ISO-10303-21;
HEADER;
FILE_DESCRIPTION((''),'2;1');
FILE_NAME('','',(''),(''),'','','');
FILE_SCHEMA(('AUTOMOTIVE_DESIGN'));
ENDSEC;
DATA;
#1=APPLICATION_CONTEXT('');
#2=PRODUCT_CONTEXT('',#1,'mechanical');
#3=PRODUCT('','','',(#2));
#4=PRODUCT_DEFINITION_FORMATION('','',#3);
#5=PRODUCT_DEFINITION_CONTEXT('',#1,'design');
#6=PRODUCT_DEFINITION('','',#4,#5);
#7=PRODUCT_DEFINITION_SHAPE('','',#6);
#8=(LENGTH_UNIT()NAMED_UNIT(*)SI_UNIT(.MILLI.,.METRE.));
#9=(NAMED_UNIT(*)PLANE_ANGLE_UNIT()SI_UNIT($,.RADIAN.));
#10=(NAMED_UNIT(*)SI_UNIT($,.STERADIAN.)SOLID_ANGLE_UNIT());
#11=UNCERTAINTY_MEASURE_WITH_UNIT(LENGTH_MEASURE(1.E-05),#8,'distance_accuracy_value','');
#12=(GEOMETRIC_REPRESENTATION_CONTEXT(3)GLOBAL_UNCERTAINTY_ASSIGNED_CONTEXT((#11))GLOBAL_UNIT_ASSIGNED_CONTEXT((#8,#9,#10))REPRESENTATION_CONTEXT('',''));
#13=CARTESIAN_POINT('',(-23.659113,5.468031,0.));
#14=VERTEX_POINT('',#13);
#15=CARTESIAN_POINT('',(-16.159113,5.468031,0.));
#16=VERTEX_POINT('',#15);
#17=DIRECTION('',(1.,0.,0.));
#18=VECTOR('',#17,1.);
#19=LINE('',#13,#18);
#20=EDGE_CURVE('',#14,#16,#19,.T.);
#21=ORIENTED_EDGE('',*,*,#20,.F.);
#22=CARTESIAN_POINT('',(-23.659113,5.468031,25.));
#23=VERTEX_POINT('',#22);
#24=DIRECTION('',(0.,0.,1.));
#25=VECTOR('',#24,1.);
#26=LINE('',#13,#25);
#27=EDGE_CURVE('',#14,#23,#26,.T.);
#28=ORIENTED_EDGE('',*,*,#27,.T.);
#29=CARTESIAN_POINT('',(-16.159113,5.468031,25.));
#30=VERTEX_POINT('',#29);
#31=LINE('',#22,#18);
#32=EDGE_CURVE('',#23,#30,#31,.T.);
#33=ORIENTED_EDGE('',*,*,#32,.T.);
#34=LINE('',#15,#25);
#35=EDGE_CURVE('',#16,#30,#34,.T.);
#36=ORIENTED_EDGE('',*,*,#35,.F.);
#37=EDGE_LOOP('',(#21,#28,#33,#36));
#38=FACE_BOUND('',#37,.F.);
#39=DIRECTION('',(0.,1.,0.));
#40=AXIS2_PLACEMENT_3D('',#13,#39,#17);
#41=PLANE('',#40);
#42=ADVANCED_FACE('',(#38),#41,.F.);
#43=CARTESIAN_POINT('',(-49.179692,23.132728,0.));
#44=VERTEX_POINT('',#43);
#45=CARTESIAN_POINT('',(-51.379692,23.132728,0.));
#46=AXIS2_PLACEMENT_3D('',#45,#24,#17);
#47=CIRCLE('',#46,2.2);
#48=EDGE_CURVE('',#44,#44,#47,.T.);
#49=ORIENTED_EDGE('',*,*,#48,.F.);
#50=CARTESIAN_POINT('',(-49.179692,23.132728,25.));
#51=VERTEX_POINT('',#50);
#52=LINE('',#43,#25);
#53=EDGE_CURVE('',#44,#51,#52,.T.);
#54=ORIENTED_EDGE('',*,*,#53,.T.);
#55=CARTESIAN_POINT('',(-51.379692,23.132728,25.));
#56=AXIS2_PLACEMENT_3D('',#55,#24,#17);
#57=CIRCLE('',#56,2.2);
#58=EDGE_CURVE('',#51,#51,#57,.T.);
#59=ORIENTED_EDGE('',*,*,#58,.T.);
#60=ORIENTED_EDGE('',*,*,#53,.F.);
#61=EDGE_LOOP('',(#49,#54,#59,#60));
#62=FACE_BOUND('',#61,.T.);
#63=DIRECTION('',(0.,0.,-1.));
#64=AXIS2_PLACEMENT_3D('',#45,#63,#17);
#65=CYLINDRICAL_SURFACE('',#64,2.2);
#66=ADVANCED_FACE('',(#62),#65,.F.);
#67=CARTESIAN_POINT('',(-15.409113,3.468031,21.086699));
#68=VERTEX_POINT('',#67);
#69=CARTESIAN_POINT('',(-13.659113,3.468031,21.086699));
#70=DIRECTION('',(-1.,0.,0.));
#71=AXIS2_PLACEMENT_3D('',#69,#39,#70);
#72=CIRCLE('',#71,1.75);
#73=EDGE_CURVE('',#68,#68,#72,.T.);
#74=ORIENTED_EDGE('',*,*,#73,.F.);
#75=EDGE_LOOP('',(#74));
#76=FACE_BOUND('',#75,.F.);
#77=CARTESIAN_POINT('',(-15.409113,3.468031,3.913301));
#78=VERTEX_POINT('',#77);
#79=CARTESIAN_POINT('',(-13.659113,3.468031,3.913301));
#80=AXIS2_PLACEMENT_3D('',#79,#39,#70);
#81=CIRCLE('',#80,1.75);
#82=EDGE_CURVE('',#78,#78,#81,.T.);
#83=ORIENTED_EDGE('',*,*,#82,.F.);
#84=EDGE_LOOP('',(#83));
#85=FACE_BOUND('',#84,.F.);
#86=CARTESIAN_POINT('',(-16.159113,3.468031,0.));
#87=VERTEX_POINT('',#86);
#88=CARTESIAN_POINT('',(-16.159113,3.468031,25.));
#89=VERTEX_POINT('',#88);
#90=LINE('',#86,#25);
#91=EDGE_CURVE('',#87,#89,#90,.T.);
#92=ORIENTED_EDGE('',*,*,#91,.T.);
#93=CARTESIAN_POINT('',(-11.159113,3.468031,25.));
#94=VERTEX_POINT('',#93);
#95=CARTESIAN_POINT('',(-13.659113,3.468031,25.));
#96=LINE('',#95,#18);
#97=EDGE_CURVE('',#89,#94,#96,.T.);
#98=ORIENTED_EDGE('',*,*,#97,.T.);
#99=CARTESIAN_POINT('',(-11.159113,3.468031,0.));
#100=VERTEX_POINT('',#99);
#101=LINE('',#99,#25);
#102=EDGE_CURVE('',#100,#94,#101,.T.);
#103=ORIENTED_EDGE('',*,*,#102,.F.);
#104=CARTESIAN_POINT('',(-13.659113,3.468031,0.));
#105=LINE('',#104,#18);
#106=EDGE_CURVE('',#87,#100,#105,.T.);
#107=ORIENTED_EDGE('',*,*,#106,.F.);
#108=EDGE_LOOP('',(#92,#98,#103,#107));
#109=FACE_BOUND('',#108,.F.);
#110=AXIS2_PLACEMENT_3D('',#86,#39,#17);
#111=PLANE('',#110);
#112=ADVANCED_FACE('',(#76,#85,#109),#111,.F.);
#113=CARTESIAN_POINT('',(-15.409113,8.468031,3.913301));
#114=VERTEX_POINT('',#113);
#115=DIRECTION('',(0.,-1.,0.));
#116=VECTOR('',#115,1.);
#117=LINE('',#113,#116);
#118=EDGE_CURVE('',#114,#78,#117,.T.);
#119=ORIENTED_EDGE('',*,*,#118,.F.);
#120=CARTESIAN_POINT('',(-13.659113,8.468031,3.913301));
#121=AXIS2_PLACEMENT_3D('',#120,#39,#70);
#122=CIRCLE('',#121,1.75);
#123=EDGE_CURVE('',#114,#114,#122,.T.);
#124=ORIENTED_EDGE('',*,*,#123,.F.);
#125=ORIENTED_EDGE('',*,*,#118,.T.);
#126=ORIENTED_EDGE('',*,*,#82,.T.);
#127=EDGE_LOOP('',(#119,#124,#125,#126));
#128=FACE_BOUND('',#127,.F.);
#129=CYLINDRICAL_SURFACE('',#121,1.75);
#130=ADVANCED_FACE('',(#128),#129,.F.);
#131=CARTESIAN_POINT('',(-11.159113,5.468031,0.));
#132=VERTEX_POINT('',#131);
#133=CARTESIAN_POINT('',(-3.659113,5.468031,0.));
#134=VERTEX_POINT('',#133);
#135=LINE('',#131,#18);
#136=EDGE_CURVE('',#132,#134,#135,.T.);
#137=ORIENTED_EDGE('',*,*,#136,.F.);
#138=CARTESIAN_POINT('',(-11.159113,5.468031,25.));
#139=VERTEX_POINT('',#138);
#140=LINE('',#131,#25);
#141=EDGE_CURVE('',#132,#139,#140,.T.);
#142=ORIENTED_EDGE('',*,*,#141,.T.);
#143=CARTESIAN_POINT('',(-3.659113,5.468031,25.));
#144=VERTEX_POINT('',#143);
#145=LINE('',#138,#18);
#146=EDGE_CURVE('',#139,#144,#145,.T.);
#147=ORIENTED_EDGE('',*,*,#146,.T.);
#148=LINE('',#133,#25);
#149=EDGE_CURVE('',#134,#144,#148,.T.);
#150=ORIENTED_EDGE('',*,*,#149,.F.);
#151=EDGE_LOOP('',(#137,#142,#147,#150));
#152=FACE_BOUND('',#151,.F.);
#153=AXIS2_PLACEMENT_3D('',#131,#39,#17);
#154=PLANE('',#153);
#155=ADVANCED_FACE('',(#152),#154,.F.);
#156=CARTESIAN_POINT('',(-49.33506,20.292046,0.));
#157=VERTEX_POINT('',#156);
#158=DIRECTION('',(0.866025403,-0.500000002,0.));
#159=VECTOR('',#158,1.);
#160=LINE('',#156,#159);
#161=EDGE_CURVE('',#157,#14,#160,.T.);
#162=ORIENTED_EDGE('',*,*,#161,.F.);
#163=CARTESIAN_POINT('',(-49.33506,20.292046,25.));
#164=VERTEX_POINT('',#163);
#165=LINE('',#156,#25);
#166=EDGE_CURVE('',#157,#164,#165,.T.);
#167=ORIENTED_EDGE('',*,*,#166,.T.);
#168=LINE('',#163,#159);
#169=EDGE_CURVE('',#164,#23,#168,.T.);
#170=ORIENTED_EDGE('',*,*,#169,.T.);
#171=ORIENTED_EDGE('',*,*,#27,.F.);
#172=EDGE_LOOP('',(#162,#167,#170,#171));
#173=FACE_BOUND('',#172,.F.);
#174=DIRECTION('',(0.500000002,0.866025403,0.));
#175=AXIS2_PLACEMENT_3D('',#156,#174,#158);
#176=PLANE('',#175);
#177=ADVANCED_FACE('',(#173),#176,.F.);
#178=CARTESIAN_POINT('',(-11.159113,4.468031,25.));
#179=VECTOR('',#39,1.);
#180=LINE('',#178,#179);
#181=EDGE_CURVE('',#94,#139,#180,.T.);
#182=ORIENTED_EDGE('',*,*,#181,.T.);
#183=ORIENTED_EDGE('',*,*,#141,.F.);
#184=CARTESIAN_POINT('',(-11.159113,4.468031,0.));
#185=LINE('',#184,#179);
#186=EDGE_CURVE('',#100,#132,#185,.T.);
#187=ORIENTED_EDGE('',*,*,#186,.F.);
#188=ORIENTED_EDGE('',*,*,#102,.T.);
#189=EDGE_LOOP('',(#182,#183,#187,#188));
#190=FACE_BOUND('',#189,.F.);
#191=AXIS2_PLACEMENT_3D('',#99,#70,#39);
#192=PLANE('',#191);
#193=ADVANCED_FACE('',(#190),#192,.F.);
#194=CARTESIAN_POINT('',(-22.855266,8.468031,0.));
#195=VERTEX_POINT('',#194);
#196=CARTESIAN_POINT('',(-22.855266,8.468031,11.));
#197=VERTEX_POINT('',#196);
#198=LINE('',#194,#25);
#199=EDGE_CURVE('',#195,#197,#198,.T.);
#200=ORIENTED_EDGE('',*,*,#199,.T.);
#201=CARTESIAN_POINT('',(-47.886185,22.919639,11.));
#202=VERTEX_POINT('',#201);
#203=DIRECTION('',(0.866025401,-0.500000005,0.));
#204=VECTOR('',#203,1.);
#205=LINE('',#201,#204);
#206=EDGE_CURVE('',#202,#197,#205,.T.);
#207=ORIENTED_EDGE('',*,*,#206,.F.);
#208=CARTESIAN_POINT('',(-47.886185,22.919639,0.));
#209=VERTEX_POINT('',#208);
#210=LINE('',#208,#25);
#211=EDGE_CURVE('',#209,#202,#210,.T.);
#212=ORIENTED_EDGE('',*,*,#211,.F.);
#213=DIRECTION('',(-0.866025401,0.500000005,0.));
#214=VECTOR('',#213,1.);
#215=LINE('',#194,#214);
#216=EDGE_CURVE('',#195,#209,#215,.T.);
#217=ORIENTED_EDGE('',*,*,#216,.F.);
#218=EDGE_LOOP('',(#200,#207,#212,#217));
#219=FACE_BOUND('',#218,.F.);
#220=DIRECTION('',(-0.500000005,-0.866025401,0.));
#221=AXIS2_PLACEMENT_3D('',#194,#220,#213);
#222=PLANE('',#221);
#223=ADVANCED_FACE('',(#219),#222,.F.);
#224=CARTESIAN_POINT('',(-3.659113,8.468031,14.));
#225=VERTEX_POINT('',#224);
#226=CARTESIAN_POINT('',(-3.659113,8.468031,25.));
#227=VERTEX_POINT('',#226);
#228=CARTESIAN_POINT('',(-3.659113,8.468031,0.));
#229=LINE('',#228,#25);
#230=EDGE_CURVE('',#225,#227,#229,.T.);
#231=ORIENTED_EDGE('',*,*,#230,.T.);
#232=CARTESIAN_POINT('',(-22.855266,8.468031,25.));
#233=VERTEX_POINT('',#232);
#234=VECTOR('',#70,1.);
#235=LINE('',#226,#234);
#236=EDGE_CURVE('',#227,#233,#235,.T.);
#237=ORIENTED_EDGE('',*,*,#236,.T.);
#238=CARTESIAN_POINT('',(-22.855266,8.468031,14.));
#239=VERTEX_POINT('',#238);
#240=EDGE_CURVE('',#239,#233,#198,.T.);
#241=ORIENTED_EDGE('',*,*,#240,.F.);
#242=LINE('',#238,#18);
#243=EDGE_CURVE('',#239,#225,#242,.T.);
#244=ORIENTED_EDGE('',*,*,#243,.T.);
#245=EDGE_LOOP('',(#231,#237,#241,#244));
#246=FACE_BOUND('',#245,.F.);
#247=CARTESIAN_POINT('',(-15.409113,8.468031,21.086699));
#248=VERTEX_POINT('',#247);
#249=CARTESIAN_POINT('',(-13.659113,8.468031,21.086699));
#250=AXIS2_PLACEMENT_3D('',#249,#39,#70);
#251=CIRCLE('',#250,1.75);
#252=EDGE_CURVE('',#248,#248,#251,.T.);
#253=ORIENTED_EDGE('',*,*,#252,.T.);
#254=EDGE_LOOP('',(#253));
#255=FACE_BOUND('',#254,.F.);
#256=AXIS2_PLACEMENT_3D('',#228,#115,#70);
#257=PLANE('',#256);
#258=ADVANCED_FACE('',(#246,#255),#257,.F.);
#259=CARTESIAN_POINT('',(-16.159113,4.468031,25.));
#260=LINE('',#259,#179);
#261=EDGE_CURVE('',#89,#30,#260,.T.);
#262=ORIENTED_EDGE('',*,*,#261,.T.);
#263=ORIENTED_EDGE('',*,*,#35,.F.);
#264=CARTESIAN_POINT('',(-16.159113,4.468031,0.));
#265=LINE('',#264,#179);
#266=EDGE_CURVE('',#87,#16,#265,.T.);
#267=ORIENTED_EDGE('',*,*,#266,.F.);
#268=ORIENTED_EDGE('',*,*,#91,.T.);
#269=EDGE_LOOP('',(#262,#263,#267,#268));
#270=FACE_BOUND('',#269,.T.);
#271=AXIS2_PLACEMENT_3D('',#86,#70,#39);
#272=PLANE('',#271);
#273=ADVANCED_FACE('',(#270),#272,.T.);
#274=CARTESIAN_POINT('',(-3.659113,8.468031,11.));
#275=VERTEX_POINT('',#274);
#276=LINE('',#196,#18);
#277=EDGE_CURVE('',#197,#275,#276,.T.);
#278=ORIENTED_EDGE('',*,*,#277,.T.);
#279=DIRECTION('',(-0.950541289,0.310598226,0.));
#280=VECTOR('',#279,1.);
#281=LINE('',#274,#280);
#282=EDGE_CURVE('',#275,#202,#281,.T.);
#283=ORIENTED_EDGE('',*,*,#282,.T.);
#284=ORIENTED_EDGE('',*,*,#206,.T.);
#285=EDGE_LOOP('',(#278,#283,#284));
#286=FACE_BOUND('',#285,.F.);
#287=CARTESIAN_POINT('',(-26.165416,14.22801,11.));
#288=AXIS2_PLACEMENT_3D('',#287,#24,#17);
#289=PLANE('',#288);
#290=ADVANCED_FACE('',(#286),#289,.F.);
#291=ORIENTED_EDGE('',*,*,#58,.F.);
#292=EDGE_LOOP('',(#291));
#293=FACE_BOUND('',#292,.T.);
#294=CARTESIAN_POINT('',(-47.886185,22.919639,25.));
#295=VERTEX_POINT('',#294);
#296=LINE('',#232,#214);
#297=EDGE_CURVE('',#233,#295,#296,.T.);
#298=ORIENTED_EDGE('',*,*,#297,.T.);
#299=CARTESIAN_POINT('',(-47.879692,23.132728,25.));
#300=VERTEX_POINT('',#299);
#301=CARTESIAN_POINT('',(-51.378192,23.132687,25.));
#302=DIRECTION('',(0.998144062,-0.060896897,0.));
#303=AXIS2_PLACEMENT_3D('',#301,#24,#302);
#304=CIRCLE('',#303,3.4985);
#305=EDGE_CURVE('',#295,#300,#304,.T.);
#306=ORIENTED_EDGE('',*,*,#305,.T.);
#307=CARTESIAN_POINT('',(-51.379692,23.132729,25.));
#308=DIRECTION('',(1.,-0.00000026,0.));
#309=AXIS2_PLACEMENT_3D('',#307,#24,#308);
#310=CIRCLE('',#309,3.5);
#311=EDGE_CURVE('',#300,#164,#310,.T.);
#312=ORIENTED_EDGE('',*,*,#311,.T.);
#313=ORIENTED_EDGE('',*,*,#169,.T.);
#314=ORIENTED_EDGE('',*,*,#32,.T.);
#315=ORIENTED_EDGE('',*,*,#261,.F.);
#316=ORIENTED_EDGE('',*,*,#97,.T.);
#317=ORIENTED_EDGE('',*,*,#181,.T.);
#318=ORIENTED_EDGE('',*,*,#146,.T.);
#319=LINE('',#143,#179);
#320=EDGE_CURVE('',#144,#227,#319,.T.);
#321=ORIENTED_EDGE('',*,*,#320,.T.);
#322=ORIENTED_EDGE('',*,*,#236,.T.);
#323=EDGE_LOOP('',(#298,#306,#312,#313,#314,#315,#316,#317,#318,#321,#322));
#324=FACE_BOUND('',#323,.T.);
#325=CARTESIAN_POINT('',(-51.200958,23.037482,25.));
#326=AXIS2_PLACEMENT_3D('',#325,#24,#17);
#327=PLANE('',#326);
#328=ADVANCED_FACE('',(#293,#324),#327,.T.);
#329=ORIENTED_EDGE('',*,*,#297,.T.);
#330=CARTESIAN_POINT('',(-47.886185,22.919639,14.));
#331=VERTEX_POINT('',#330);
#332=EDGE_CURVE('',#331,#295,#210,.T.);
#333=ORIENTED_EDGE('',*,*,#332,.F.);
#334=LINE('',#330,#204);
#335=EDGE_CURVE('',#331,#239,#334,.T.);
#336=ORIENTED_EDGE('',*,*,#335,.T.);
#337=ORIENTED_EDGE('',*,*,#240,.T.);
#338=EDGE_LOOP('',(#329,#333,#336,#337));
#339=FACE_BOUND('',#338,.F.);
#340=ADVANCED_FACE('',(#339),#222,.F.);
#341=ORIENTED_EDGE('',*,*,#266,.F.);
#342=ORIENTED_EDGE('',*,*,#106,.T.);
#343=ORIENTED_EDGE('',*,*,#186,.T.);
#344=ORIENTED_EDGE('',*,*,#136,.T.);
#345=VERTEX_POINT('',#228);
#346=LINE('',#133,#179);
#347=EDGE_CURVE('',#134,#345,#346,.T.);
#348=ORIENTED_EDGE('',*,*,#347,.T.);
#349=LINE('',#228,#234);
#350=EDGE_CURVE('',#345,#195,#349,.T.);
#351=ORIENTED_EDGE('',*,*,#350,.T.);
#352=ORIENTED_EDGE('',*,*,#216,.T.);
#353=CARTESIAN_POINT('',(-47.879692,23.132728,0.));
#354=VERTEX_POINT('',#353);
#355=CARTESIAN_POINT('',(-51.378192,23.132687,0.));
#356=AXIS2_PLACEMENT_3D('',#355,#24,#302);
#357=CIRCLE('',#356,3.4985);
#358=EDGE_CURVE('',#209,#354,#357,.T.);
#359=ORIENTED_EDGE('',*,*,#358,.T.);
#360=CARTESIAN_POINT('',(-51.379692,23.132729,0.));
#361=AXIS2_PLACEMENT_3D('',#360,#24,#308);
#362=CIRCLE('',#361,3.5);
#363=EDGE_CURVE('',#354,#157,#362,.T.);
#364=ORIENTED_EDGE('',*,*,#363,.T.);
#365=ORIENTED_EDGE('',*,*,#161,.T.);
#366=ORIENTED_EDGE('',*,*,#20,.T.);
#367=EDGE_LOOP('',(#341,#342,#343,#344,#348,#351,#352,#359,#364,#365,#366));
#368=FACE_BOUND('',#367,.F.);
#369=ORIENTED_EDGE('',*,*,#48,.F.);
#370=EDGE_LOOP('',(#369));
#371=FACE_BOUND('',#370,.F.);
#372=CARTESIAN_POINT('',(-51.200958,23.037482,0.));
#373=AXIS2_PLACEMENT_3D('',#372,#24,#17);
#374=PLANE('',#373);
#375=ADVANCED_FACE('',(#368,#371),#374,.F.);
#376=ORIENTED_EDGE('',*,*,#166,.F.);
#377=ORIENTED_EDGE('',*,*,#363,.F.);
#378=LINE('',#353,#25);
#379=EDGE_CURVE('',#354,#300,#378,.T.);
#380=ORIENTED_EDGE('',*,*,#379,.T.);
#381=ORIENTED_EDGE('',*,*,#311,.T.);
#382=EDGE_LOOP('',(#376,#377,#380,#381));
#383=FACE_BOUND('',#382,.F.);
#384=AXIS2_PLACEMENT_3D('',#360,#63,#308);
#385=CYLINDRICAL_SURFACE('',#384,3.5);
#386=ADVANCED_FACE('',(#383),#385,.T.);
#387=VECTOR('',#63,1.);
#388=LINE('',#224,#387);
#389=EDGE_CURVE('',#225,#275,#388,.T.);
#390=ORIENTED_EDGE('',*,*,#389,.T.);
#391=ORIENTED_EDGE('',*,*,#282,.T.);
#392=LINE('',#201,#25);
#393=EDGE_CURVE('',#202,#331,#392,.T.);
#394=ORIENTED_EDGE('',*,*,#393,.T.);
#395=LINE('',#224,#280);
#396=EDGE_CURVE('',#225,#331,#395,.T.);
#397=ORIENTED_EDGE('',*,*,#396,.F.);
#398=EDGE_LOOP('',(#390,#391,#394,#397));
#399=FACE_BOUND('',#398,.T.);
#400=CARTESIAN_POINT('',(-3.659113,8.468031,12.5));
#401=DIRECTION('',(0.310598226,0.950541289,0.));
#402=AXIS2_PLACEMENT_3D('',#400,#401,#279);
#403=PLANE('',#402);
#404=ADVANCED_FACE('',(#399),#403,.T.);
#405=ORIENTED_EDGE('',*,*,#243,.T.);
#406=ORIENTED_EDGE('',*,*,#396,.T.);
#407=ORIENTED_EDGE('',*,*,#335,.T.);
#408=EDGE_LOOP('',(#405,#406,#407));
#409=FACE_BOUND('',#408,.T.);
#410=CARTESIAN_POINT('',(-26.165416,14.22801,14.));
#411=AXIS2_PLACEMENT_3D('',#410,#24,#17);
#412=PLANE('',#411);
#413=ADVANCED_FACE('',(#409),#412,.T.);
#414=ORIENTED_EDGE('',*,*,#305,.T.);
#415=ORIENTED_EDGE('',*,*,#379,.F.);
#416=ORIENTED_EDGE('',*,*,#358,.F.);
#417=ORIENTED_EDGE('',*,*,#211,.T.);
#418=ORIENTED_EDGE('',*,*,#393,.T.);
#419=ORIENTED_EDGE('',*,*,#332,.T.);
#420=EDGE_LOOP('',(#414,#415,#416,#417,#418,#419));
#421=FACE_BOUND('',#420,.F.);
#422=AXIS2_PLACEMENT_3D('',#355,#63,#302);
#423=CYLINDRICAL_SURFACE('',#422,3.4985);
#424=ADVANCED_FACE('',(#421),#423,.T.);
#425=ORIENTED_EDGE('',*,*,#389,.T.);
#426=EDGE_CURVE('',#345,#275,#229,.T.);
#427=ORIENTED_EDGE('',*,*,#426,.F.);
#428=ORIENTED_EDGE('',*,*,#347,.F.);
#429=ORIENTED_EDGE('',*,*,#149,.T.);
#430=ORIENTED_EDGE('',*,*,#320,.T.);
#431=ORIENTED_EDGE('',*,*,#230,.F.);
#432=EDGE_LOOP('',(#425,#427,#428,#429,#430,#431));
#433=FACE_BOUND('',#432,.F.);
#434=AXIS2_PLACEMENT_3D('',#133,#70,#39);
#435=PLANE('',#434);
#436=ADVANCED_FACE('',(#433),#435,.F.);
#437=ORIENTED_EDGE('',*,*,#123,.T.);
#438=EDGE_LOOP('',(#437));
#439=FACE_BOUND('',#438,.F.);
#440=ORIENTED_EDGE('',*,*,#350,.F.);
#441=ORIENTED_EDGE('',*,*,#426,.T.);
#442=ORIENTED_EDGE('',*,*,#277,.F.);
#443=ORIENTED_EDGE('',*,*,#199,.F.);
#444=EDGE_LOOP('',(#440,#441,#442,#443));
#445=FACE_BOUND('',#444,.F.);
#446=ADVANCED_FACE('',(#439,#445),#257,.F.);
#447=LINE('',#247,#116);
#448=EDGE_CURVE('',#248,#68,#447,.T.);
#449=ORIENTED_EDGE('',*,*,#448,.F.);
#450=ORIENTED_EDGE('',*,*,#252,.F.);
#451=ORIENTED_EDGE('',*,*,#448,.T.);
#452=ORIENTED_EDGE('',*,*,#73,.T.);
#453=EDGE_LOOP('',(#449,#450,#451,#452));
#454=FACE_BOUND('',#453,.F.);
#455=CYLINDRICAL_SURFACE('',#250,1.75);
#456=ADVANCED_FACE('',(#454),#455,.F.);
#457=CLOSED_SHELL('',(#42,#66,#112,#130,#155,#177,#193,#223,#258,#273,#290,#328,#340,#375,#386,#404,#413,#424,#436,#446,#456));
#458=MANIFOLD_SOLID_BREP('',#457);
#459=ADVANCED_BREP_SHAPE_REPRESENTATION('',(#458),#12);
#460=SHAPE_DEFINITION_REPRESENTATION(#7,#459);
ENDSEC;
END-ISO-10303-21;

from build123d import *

# Parameters (mm, degrees)
F0_R          = 2.2
F0_W          = 5
F0_H          = 2
F1_DEPTH      = 25
F4_DEPTH      = 1.5
F4_DEPTH_BACK = 1.5
F5_R          = 1.75
F6_DEPTH      = 25


with BuildPart() as f1:
    # F0 (on Top) → F1 (new body)
    with BuildSketch(Plane.XY):
        with BuildLine():
            Line((-48.139875, 23.066107), (-47.886185, 22.919639))
            ThreePointArc((-47.886185, 22.919639), (-47.881315, 23.026134), (-47.879692, 23.132728))
            ThreePointArc((-47.879692, 23.132728), (-54.494673, 24.728627), (-49.33506, 20.292046))
            Line((-49.33506, 20.292046), (-49.639875, 20.468031))
            Line((-49.639875, 20.468031), (-48.139875, 23.066107))
        make_face()
        with Locations((-51.379692, 23.132728)):
            Circle(F0_R, mode=Mode.SUBTRACT)
        with BuildLine():
            ThreePointArc((-49.33506, 20.292046), (-48.31476, 21.442701), (-47.886185, 22.919639))
            Line((-47.886185, 22.919639), (-48.139875, 23.066107))
            Line((-48.139875, 23.066107), (-49.639875, 20.468031))
            Line((-49.639875, 20.468031), (-49.33506, 20.292046))
        make_face()
        with BuildLine():
            Line((-23.659113, 5.468031), (-23.659113, 8.468031))
            Line((-23.659113, 8.468031), (-22.855266, 8.468031))
            Line((-22.855266, 8.468031), (-47.886185, 22.919639))
            ThreePointArc((-47.886185, 22.919639), (-48.31476, 21.442701), (-49.33506, 20.292046))
            Line((-49.33506, 20.292046), (-23.659113, 5.468031))
        make_face()
        with Locations((-13.659113, 4.468031)):
            Rectangle(F0_W, F0_H)
        Polygon((-3.659113, 8.468031), (-22.855266, 8.468031), (-22.159113, 8.066107), (-23.659113, 5.468031), (-16.159113, 5.468031), (-11.159113, 5.468031), (-3.659113, 5.468031), align=None)
        Polygon((-22.855266, 8.468031), (-23.659113, 8.468031), (-23.659113, 5.468031), (-22.159113, 8.066107), align=None)
    extrude(amount=F1_DEPTH)

    # F3 (on offset) → F4 (join, two sides)
    with BuildSketch(Plane.XY.offset(12.5)) as f4_sk:
        Polygon((-3.659113, 8.468031), (-47.886185, 22.919639), (-22.855266, 8.468031), align=None)
    extrude(amount=F4_DEPTH)
    extrude(f4_sk.sketch, amount=-F4_DEPTH_BACK)

    # F5 (on face) → F6 (cut)
    with BuildSketch(Plane(origin=(0, 8.468031, 0), x_dir=(-1, 0, 0), z_dir=(0, 1, 0))):
        with Locations((13.659113, 3.913301)):
            Circle(F5_R)
        with Locations((13.659113, 21.086699)):
            Circle(F5_R)
    extrude(amount=-F6_DEPTH, mode=Mode.SUBTRACT)


solid = f1.part
